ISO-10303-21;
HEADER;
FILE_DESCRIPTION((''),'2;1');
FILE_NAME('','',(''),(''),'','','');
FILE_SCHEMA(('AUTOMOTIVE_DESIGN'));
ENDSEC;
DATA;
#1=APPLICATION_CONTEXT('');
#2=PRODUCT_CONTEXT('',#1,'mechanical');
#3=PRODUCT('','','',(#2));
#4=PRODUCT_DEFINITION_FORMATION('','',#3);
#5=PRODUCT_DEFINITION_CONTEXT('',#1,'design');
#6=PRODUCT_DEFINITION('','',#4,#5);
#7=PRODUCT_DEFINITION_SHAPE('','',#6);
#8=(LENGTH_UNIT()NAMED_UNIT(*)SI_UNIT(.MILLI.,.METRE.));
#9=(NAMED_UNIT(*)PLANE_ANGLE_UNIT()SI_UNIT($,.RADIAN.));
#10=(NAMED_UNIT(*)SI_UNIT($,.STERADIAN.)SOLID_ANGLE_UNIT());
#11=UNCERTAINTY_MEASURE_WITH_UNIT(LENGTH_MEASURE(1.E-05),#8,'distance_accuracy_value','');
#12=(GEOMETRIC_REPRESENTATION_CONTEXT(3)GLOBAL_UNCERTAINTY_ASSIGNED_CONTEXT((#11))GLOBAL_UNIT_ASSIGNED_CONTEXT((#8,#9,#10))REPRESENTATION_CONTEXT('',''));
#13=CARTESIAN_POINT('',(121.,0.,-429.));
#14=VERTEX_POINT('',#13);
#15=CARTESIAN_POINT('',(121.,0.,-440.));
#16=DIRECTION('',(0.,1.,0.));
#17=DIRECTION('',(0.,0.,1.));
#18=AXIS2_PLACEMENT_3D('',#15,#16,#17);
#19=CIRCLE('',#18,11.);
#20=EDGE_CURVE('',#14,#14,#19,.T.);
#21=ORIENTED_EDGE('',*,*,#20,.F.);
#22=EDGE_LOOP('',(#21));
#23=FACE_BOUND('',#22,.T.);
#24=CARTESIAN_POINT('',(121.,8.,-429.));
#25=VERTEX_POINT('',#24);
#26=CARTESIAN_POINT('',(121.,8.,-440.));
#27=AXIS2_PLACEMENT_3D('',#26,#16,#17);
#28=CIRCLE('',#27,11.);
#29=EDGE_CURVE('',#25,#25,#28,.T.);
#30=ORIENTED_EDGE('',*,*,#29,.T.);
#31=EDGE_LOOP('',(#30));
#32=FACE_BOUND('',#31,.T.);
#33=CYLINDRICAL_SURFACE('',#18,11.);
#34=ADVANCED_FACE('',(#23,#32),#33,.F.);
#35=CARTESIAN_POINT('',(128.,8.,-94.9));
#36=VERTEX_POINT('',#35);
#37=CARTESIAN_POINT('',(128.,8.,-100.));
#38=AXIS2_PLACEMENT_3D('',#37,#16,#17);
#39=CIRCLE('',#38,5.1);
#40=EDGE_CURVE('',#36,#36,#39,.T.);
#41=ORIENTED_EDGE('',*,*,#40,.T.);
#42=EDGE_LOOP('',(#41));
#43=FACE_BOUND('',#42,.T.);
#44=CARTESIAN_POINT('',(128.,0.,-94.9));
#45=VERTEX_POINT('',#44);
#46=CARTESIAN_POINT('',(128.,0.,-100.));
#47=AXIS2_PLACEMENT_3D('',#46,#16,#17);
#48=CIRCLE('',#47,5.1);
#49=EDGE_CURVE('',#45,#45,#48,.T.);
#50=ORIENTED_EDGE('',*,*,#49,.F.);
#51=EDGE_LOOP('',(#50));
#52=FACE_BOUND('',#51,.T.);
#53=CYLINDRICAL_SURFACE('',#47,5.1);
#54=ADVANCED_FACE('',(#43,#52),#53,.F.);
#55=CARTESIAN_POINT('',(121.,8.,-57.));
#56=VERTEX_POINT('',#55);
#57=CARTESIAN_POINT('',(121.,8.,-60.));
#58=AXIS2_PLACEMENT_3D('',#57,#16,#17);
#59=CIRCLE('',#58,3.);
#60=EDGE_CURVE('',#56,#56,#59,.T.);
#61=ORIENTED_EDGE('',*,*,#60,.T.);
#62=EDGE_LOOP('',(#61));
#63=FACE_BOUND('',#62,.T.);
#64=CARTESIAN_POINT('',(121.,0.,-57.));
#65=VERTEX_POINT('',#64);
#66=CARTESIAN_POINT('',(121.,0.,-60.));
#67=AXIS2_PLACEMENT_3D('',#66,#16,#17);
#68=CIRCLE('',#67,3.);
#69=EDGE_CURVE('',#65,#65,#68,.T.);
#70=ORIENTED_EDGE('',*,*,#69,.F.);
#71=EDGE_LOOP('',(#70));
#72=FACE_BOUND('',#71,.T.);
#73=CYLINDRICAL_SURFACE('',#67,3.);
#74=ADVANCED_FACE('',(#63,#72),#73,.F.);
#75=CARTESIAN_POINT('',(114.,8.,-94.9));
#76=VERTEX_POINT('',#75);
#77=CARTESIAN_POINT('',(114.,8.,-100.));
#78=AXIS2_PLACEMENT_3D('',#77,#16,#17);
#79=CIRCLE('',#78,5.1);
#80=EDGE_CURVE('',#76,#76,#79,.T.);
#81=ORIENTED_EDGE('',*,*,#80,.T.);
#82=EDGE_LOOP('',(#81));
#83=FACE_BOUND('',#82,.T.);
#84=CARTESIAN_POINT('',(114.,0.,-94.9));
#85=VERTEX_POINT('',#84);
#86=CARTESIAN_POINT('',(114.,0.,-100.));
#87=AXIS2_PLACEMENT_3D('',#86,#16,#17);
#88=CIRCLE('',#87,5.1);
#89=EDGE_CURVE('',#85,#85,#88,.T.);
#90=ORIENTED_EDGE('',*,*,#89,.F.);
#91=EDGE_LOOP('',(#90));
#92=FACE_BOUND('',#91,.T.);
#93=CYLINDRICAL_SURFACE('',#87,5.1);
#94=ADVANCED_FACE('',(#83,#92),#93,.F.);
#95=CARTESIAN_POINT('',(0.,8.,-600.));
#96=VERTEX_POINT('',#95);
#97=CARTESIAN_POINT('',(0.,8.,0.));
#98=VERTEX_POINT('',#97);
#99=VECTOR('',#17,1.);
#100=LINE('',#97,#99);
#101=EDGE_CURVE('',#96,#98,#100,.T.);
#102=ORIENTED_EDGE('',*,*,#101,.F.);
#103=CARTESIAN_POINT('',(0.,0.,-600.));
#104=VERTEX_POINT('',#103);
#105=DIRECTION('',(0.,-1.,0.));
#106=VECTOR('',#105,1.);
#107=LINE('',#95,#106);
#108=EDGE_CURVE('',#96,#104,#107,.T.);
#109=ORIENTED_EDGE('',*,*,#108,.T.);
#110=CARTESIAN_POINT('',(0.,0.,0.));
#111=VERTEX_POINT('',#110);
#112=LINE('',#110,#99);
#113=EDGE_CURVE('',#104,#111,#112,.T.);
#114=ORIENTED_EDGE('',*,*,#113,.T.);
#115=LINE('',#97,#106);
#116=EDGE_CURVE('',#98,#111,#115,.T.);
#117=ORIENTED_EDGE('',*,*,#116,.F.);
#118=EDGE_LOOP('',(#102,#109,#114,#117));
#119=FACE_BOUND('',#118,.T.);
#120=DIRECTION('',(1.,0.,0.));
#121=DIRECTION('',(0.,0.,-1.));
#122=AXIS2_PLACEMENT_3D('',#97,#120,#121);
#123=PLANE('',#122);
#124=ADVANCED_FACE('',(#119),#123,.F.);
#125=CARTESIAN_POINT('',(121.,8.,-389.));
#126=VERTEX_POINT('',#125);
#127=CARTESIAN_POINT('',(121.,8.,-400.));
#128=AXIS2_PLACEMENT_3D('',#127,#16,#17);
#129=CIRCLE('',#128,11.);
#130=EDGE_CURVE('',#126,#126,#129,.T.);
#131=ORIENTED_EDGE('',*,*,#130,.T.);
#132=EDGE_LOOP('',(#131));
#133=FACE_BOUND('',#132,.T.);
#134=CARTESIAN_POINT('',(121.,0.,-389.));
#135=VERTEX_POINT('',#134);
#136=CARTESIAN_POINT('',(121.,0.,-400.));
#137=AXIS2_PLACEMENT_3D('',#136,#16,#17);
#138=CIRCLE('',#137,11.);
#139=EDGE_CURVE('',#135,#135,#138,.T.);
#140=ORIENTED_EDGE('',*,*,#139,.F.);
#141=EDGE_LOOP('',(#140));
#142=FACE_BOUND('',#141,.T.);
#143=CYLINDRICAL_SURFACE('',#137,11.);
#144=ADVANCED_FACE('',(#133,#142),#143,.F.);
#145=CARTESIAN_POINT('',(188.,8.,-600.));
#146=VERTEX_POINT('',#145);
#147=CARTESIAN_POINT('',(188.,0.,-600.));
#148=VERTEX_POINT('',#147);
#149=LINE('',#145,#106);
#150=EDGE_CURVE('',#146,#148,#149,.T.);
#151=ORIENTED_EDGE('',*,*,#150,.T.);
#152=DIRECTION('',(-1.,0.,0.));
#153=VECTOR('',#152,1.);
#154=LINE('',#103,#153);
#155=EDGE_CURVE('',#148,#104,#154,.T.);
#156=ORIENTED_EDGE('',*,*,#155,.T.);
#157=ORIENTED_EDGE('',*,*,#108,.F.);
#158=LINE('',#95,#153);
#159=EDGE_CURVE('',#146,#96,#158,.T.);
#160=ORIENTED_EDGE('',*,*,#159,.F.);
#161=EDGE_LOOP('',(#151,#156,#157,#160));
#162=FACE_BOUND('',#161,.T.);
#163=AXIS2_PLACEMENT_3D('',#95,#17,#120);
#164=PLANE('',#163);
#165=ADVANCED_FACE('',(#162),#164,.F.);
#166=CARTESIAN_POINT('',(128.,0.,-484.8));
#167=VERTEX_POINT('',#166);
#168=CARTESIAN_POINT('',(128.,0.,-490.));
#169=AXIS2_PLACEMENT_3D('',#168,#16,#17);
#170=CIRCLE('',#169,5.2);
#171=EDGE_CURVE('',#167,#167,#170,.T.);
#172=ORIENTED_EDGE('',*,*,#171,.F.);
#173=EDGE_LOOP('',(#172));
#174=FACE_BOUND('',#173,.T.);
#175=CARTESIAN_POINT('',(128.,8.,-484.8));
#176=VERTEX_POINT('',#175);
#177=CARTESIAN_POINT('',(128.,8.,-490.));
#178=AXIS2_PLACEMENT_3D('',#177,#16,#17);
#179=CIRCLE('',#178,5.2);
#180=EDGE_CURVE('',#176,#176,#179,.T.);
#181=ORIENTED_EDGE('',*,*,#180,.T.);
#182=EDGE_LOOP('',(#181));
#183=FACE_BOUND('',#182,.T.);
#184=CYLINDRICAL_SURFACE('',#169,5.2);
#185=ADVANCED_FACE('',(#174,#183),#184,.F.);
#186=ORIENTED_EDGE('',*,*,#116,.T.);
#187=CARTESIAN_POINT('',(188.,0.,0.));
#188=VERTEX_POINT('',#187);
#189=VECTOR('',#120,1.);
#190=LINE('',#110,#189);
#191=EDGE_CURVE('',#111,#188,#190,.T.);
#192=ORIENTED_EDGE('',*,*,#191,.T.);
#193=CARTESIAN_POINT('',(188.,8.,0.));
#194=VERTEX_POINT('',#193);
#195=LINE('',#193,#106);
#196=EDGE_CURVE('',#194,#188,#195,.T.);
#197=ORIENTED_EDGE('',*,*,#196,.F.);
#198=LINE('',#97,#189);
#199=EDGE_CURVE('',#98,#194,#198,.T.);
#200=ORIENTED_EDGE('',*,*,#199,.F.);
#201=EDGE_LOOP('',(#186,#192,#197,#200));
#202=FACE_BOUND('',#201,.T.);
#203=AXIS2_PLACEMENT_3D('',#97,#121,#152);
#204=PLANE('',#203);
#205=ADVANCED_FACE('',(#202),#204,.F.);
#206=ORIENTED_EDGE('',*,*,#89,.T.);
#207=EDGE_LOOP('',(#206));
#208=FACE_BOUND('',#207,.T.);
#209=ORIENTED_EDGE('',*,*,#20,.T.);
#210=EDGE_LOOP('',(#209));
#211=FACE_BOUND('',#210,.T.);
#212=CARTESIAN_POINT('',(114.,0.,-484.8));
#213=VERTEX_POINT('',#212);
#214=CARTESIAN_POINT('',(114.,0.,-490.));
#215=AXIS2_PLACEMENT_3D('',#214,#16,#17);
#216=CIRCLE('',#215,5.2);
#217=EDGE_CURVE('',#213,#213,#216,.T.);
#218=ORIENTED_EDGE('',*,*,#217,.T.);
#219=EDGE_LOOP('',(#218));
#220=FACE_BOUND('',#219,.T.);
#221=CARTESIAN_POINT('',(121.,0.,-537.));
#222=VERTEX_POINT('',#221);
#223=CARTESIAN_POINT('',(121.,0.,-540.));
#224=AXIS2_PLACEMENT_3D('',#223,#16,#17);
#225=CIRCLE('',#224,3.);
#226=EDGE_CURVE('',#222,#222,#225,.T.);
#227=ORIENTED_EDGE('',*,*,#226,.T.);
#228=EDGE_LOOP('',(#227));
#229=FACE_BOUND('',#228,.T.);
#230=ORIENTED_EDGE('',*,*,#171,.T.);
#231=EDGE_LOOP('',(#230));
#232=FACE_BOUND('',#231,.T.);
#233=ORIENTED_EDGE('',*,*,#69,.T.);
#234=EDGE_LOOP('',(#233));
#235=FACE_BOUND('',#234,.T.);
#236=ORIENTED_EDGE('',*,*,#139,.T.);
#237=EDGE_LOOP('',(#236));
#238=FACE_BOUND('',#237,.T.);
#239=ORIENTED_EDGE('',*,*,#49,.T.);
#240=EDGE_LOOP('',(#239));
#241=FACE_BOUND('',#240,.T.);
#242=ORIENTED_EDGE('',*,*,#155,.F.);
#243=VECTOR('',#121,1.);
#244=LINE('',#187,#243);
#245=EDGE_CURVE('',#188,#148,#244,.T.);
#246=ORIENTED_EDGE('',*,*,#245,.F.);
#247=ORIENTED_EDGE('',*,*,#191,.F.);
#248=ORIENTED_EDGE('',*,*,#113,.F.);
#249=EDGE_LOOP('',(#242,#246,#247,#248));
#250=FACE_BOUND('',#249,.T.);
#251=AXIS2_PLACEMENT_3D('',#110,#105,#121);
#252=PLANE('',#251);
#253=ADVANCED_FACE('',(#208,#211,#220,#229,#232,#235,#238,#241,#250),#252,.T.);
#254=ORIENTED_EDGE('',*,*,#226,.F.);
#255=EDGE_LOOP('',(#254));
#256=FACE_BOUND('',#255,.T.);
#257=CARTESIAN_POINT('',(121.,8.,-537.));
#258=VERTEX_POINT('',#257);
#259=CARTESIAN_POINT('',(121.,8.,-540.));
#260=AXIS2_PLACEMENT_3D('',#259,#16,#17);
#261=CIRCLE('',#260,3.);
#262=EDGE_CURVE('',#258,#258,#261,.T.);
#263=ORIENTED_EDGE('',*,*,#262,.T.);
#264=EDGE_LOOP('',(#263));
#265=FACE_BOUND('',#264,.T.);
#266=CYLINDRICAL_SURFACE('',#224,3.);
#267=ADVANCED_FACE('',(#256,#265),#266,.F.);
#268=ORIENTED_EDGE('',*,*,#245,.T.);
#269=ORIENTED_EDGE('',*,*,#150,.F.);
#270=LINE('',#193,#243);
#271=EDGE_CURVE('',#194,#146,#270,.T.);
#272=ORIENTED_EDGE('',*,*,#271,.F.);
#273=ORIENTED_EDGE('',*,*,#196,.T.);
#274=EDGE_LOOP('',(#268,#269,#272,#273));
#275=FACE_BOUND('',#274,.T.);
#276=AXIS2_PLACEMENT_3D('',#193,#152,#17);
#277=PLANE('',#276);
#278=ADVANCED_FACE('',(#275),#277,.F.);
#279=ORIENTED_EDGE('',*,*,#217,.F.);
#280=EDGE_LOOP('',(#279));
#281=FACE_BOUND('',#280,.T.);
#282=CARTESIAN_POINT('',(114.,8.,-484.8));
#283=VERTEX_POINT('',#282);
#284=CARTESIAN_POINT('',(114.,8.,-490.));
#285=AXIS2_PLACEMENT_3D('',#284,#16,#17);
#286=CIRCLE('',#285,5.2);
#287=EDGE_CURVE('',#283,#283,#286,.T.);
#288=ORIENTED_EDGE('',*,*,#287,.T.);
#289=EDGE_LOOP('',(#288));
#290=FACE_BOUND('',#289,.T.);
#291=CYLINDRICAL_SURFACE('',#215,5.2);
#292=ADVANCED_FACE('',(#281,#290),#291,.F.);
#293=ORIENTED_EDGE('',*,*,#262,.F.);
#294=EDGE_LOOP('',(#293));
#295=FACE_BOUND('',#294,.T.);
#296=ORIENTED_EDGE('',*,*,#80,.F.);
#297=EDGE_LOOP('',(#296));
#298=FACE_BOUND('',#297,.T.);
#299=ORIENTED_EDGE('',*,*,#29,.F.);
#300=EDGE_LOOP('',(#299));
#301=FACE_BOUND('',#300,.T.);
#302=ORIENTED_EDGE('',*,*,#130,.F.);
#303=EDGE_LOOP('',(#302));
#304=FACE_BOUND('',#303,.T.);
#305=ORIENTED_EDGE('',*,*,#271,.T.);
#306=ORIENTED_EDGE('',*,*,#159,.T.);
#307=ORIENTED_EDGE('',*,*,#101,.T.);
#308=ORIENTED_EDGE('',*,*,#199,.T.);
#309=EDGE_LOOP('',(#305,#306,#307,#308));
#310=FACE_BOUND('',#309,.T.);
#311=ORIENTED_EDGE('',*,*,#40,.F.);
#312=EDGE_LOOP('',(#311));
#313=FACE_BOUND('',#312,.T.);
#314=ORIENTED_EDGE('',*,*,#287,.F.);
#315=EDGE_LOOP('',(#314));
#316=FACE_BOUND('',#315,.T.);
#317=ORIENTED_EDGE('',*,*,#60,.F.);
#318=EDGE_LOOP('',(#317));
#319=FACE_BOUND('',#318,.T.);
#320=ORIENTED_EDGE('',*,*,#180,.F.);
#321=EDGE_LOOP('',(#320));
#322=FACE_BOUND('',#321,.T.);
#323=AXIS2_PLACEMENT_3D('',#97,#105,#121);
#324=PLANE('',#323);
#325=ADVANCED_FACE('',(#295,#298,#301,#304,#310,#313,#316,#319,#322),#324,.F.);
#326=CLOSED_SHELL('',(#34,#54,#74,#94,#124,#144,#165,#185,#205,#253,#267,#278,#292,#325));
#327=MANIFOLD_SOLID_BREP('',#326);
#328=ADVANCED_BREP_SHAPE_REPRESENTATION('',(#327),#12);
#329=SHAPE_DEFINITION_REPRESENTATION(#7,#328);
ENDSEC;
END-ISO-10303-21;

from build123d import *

# Parameters (mm, degrees)
SKETCH1_W           = 188
SKETCH1_H           = 600
BOSS_EXTRUDE1_DEPTH = 8
SKETCH2_R           = 5.1
SKETCH2_R_2         = 3
SKETCH2_R_3         = 11
SKETCH2_R_4         = 5.2
CUT_EXTRUDE1_DEPTH  = 629.814758097


with BuildPart() as part:
    # Sketch1 → Boss-Extrude1 (new body)
    with BuildSketch(Plane(origin=(0, 0, 0), x_dir=(1, 0, 0), z_dir=(0, 1, 0))):
        with Locations((94, 300)):
            Rectangle(SKETCH1_W, SKETCH1_H)
    extrude(amount=BOSS_EXTRUDE1_DEPTH)

    # Sketch2 → Cut-Extrude1 (cut, through all)
    with BuildSketch(Plane(origin=(0, 8, 0), x_dir=(1, 0, 0), z_dir=(0, 1, 0))):
        with Locations(Location((114, 100, 0), (0, 0, 270))):
            Circle(SKETCH2_R)
        with Locations(Location((128, 100, 0), (0, 0, 270))):
            Circle(SKETCH2_R)
        with Locations(Location((121, 60, 0), (0, 0, 270))):
            Circle(SKETCH2_R_2)
        with Locations(Location((121, 440, 0), (0, 0, 270))):
            Circle(SKETCH2_R_3)
        with Locations(Location((121, 400, 0), (0, 0, 270))):
            Circle(SKETCH2_R_3)
        with Locations(Location((114, 490, 0), (0, 0, 270))):
            Circle(SKETCH2_R_4)
        with Locations(Location((128, 490, 0), (0, 0, 270))):
            Circle(SKETCH2_R_4)
        with Locations(Location((121, 540, 0), (0, 0, 270))):
            Circle(SKETCH2_R_2)
    extrude(amount=-CUT_EXTRUDE1_DEPTH, mode=Mode.SUBTRACT)


solid = part.part
